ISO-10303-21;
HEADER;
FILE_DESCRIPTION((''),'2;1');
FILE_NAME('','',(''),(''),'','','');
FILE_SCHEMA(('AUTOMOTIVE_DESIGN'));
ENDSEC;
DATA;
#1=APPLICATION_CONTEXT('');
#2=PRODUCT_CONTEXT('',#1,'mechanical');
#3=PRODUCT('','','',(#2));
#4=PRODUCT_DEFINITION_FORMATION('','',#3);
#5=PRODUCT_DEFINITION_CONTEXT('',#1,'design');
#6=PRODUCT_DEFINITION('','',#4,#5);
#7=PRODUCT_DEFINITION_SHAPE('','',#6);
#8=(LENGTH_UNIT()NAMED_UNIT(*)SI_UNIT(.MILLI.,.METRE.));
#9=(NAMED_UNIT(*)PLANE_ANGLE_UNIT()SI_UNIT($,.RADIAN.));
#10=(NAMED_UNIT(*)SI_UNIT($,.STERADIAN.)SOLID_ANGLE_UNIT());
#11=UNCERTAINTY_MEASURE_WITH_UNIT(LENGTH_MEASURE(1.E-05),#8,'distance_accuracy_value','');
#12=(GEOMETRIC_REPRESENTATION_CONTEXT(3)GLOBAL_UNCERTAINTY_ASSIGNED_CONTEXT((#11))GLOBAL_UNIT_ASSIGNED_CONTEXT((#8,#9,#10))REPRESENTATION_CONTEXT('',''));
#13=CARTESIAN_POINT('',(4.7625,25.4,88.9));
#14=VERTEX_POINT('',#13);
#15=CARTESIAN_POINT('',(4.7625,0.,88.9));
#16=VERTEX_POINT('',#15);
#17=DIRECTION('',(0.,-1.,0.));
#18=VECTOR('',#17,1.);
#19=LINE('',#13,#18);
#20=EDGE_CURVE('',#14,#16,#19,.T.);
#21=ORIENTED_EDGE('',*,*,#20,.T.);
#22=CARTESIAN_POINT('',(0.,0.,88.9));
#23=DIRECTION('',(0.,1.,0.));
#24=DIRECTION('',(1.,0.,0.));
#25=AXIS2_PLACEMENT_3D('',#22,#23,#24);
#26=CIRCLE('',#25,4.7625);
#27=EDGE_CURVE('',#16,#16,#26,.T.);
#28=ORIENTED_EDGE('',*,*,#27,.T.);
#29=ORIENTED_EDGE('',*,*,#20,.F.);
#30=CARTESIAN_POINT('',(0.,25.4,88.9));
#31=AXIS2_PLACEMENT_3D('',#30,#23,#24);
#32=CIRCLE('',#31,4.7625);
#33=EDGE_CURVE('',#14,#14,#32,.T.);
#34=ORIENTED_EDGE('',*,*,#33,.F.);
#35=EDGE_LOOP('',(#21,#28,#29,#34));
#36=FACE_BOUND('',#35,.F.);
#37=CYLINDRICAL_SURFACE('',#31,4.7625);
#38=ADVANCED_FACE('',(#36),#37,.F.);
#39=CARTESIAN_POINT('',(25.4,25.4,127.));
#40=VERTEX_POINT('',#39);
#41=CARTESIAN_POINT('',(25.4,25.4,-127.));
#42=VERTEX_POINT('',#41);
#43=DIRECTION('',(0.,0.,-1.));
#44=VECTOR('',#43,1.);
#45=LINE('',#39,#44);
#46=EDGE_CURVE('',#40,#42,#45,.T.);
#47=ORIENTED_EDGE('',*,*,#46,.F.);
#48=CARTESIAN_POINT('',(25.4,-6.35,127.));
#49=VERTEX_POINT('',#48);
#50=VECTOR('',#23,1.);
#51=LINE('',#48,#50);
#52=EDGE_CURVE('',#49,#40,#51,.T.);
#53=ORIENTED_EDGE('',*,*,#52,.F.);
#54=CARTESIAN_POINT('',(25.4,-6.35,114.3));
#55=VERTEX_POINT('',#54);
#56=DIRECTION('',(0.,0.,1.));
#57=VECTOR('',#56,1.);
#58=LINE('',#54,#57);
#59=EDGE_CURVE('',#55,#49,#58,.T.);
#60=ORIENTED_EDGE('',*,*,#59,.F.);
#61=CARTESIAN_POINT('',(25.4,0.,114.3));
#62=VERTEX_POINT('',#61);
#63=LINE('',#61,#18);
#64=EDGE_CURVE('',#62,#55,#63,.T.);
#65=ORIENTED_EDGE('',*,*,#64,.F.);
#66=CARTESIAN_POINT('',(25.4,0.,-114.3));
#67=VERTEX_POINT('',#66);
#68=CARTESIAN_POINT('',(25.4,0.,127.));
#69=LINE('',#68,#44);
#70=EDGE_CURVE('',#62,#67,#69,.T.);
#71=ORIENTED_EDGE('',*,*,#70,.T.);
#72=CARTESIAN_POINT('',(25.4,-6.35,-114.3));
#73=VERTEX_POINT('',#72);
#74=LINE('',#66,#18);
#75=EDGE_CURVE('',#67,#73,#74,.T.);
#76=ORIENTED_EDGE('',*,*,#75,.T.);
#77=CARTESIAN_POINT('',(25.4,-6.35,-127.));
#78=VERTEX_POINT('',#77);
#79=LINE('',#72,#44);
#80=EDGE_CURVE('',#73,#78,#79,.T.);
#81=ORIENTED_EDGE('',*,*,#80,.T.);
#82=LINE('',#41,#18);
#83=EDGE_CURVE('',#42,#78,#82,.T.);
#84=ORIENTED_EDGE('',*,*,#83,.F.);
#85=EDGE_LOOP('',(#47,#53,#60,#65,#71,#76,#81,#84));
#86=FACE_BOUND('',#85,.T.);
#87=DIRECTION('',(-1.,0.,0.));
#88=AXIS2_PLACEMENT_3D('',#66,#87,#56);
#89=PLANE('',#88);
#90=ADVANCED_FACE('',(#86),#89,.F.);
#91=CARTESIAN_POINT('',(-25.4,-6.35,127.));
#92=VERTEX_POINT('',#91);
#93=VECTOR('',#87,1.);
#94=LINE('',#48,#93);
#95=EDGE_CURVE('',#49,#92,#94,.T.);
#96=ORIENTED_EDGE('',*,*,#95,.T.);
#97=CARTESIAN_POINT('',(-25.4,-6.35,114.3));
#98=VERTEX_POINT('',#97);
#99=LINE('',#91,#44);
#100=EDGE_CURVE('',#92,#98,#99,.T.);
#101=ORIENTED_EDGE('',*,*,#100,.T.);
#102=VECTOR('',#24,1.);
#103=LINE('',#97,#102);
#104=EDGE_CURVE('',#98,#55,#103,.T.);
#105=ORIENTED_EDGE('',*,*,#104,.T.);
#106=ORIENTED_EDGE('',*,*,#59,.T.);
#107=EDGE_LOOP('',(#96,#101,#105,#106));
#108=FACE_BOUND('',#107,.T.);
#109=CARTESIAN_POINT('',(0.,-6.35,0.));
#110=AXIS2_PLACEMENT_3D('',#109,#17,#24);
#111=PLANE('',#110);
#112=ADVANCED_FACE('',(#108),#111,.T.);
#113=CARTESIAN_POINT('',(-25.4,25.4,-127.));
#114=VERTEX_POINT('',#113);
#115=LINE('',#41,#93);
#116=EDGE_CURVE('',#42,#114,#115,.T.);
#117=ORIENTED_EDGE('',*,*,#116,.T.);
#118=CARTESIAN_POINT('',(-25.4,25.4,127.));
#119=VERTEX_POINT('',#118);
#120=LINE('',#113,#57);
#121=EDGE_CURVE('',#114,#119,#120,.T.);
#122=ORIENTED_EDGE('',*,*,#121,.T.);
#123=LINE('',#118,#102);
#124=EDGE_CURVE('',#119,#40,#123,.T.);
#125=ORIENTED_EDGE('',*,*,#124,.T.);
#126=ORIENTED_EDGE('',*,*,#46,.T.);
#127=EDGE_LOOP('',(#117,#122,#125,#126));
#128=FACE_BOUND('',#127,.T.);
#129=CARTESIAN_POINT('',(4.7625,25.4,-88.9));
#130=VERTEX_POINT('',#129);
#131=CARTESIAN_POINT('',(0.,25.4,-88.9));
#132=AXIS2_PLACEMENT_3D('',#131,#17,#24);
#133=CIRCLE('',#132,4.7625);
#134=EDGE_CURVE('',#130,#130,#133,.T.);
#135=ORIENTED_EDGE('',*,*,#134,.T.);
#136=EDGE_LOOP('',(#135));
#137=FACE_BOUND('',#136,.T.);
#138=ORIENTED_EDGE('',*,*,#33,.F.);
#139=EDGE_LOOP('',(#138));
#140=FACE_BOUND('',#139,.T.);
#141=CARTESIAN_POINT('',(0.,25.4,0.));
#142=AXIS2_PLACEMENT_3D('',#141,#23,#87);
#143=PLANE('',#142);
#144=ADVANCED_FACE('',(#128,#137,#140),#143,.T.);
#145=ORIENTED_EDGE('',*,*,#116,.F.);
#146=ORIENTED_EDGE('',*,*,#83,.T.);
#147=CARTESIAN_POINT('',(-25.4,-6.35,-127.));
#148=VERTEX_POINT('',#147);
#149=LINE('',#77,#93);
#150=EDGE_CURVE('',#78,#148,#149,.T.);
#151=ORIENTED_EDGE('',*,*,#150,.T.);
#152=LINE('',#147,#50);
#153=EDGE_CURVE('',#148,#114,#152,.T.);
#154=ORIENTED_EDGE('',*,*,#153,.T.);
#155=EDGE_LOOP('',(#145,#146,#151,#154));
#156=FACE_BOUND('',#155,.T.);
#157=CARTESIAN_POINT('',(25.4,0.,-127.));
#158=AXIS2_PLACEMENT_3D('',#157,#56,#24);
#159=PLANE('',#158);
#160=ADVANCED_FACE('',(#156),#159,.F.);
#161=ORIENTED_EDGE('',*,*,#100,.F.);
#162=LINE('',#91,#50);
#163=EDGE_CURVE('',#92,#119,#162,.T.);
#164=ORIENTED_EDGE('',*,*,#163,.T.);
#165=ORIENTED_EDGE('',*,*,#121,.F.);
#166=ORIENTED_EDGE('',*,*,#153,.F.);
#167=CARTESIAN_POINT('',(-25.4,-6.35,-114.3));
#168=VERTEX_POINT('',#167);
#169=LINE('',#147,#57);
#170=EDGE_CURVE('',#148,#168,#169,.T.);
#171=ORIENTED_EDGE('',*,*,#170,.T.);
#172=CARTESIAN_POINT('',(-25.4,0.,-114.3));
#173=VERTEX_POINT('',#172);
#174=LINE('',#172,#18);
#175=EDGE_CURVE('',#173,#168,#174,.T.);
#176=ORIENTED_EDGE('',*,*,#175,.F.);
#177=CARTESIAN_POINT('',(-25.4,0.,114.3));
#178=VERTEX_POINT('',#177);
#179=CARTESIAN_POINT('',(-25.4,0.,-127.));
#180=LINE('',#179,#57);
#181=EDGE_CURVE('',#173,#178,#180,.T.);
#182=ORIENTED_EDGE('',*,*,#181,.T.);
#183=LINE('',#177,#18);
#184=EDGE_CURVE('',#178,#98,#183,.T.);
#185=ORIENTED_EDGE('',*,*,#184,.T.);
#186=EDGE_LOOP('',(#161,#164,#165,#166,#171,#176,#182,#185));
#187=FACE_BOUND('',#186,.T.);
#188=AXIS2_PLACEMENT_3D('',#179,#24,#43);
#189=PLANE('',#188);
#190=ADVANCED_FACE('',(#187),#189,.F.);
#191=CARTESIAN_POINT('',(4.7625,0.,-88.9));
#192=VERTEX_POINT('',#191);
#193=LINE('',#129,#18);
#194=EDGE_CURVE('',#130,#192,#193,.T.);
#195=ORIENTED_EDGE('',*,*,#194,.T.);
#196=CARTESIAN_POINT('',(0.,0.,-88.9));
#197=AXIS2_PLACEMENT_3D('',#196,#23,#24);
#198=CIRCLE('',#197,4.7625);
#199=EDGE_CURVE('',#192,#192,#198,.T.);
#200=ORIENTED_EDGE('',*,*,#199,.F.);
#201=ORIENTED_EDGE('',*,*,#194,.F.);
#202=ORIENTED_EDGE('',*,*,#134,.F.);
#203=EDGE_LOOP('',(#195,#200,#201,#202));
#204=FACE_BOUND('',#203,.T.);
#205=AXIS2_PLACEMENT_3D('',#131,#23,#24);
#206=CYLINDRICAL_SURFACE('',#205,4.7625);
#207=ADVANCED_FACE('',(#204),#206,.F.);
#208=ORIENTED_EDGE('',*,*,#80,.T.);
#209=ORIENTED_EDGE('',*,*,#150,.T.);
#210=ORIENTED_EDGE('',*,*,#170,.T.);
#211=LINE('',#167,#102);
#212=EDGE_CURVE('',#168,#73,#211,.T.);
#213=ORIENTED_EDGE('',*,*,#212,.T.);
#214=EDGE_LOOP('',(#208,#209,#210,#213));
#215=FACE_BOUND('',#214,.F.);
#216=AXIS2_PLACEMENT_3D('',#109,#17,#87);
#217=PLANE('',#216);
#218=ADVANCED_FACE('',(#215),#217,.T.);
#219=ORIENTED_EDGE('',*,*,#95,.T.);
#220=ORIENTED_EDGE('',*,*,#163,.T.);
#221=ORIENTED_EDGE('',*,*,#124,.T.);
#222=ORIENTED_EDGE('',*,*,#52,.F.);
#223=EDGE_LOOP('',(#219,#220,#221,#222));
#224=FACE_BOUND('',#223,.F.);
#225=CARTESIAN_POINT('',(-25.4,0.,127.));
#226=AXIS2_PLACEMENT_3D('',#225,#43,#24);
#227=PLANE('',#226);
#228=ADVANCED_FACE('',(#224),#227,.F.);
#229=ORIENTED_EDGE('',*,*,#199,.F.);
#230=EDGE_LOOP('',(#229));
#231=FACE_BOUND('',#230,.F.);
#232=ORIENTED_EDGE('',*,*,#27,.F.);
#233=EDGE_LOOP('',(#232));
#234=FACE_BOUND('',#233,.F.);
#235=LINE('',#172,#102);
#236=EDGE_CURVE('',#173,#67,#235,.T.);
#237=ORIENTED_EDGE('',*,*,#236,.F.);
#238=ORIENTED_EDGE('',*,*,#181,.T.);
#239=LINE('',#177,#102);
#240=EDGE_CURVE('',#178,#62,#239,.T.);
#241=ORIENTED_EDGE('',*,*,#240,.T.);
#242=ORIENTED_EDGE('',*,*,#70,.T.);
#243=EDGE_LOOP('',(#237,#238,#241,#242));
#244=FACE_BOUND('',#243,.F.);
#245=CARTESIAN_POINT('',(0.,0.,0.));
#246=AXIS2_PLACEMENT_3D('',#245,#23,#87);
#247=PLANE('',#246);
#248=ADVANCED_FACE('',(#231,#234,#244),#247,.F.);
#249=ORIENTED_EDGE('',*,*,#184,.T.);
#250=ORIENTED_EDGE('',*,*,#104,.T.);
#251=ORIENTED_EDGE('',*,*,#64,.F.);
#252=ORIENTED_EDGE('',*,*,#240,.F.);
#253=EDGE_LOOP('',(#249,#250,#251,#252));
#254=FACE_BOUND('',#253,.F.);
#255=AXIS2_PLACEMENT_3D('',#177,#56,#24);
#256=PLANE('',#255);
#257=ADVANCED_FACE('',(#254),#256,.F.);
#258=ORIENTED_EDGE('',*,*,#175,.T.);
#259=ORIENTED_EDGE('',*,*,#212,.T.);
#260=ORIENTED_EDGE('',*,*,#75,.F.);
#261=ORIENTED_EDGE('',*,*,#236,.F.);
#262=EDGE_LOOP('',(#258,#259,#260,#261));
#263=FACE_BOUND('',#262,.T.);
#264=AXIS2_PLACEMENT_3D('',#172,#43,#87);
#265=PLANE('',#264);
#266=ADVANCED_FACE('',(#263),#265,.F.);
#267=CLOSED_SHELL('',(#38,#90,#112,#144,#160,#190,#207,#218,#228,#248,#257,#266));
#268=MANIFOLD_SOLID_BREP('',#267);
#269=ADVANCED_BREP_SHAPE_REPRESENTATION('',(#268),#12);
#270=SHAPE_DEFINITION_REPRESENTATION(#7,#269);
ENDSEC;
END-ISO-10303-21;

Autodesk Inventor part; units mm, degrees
ref_plane "YZ Plane" through (0, 0, 0) normal (1, 0, 0) x (0, 1, 0)
ref_plane "XZ Plane" through (0, 0, 0) normal (0, 1, 0) x (-1, 0, 0)
sketch "Sketch1" plane through (0, 0, 0) normal (0, 1, 0) x (-1, 0, 0)
  line L0 (25.4, 127) -> (-25.4, 127)
  line L1 (-25.4, 127) -> (-25.4, -127)
  line L2 (-25.4, -127) -> (25.4, -127)
  line L3 (25.4, -127) -> (25.4, 127)
  line L4 (25.4, 127) -> (-25.4, -127) construction
  line L5 (-25.4, 127) -> (25.4, -127) construction
  point P0 (0, 0)
  dimension "d0" = 50.8
  dimension "d1" = 254
extrude "Extrusion1" add sketch "Sketch1" along normal blind 25.4
sketch "Sketch2" plane through (0, 0, 0) normal (0, -1, 0) x (1, 0, 0)
  line L0 (-25.4, 127) -> (-25.4, 114.3)
  line L1 (-25.4, 114.3) -> (25.4, 114.3)
  line L2 (25.4, 114.3) -> (25.4, 127)
  line L3 (25.4, 127) -> (-25.4, 127)
  line L4 (-25.4, 127) -> (25.4, 114.3) construction
  line L5 (-25.4, 114.3) -> (25.4, 127) construction
  line L6 (-25.4, 127) -> (25.4, 127) projected
  point P0 (0, 0)
  point P1 (0, 120.65)
  dimension "d4" = 12.7
  dimension "d5" = 25.4
  dimension "d6" = 0
extrude "Extrusion2" add sketch "Sketch2" along normal blind 6.35
mirror "Mirror1" about plane through (0, 0, 0) normal (0, 0, 1) of "Extrusion2"
sketch "Sketch3" plane through (0, 25.4, 0) normal (0, 1, 0) x (1, 0, 0)
  circle A0 centre (0, -88.9) radius 4.7625
  line L0 (-25.4, -127) -> (25.4, -127) projected
  point P0 (0, 0)
  dimension "d9" = 9.525
  dimension "d10" = 38.1
extrude "Extrusion3" cut sketch "Sketch3" against normal through all
mirror "Mirror2" about plane through (0, 0, 0) normal (0, 0, 1) of "Extrusion3"
properties part number "BandSawJigTop" material "LCP Plastic"
